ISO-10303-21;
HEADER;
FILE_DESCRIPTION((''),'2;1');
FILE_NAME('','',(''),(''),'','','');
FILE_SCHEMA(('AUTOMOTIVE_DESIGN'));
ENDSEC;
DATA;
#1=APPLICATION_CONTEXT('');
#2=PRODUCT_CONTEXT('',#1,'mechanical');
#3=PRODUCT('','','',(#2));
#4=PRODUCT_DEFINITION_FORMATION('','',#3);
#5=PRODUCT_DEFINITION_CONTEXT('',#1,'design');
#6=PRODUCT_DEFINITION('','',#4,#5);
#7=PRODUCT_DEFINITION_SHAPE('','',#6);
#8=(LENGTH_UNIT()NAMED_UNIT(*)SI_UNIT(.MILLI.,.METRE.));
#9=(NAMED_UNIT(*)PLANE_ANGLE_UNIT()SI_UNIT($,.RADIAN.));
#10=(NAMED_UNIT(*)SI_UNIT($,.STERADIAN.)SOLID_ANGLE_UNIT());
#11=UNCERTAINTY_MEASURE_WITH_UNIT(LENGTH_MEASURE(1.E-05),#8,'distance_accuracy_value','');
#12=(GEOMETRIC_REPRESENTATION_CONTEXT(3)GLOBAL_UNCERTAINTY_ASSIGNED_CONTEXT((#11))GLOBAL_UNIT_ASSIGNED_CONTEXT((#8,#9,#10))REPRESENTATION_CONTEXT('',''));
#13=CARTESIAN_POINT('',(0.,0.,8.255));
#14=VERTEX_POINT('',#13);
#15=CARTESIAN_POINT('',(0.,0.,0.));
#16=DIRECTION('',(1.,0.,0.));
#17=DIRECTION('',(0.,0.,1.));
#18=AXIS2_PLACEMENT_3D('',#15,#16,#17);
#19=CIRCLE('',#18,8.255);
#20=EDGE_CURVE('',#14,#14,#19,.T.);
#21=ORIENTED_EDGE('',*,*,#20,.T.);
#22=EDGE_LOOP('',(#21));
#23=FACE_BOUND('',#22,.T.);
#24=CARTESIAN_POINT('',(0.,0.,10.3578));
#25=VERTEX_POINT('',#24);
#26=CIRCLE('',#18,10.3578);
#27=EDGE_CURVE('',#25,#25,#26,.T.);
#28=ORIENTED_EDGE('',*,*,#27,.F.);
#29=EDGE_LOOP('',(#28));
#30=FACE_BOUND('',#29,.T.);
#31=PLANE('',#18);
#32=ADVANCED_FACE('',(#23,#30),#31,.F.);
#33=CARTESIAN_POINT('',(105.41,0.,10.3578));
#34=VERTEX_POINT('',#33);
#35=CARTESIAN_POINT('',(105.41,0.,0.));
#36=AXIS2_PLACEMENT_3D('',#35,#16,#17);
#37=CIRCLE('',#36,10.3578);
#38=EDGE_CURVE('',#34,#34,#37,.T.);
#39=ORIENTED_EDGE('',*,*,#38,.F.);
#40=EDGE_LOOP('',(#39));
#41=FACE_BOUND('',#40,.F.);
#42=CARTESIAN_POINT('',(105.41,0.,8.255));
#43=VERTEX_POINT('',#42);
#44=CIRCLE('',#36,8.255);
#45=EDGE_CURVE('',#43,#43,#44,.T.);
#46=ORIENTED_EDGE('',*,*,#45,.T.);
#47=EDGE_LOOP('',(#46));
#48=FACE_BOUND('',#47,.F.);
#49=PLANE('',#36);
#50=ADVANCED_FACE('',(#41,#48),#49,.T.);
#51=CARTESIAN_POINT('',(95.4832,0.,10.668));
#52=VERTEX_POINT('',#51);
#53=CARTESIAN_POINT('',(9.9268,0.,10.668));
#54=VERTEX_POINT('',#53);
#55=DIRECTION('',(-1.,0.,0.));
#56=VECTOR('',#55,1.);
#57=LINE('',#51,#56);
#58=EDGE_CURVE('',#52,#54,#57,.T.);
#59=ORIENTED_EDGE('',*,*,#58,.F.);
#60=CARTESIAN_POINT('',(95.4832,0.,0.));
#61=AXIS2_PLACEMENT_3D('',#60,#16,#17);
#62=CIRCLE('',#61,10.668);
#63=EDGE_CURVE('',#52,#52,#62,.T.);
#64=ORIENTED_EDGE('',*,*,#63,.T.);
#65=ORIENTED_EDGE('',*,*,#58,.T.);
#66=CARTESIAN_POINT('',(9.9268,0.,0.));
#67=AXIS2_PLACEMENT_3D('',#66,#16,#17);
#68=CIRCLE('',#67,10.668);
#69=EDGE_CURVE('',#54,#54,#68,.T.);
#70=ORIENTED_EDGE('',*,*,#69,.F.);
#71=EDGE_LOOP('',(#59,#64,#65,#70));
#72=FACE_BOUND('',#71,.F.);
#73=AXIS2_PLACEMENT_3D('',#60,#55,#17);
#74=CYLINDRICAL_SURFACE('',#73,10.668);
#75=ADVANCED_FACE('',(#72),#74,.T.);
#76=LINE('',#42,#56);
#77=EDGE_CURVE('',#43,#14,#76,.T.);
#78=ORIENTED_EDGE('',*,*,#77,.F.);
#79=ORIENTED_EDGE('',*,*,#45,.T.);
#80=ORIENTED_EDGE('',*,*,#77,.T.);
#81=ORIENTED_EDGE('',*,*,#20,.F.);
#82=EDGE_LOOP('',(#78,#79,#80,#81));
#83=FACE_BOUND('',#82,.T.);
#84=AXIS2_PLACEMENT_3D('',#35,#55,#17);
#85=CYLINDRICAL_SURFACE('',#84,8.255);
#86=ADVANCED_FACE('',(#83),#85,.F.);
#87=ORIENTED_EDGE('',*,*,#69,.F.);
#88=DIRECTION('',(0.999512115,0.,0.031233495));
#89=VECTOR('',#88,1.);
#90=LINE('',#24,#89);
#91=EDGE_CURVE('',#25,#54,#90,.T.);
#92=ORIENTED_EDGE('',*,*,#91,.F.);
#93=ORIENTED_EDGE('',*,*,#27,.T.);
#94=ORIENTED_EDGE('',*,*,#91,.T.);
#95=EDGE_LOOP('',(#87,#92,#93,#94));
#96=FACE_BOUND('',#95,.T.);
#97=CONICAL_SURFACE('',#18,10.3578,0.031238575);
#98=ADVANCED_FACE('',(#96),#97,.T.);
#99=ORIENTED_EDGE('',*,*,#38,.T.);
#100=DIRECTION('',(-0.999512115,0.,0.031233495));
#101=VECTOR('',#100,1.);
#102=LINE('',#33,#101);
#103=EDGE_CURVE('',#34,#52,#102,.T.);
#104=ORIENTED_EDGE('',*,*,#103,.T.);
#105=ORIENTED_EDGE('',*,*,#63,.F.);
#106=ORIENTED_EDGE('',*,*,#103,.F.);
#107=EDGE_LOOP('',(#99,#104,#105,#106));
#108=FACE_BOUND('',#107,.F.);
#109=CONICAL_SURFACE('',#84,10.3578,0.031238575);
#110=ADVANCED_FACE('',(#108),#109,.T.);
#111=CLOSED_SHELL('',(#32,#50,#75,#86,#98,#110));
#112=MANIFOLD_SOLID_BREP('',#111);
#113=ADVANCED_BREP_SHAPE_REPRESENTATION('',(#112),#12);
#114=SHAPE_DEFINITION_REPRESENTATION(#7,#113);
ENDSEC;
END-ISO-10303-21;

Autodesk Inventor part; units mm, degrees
ref_plane "YZ Plane" through (0, 0, 0) normal (1, 0, 0) x (0, 1, 0)
ref_plane "XZ Plane" through (0, 0, 0) normal (0, 1, 0) x (-1, 0, 0)
ref_plane "XY Plane" through (0, 0, 0) normal (0, 0, 1) x (1, 0, 0)
sketch "Sketch1" plane through (0, 0, 0) normal (0, 1, 0) x (-1, 0, 0)
  line L0 (0, 0) -> (-105.41, 0)
  line L1 (-105.41, 0) -> (-105.41, 8.255) construction
  line L2 (-105.41, 8.255) -> (-105.41, 10.3578)
  line L3 (-105.41, 10.3578) -> (-95.4832, 10.668)
  line L4 (-95.4832, 10.668) -> (-9.9268, 10.668)
  line L5 (-52.705, 0) -> (-52.705, 10.668) construction
  line L6 (-105.41, 8.255) -> (0, 8.255)
  line L7 (0, 0) -> (0, 8.255) construction
  line L8 (0, 8.255) -> (0, 10.3578)
  line L9 (0, 10.3578) -> (-9.9268, 10.668)
  line L10 (-91.854, 10.7814) -> (-91.854, 0) construction
  line L11 (-13.556, 10.7814) -> (-13.556, 0) construction
  line L12 (-95.4832, 10.668) -> (-91.854, 10.7814) construction
  line L13 (-95.4832, 10.668) -> (-95.4832, 0) construction
  line L14 (-9.9268, 10.668) -> (-13.556, 10.7814) construction
  line L15 (-9.9268, 10.668) -> (-9.9268, 0) construction
  dimension "d0" = 21.336
  dimension "d1" = 1.79
  dimension "d2" = 16.51
  dimension "d3" = 105.41
  dimension "d4" = 13.556
  dimension "d5" = 21.5628
revolve "Revolution1" add sketch "Sketch1" angle 360 about axis through (0, 0, 0) along (1, 0, 0)
thread "Thread1" size "1/2" designation "1/2 - 14 NPT" standard "NPT" full length
thread "Thread2" size "1/2" designation "1/2 - 14 NPT" standard "NPT" full length
equation "\"d0\" = OD"
equation "\"d2\" = ID"
equation "\"d3\" = L"
equation "\"d4\" = L2"
equation "\"d5\" = D2"
equation "\"OD\" = 21.336"
equation "\"t\" = 2.413"
equation "\"L\" = PL"
equation "\"L4\" = 19.8501"
equation "\"ID\" = 16.51"
equation "\"PL\" = 105.41"
equation "\"D2\" = 21.56282"
equation "\"L2\" = 13.55598"
equation "\"Size_Designation\" = 1.2345"
equation "\"PLmin\" = 2 * L2"
properties material "Steel, Wrought"
